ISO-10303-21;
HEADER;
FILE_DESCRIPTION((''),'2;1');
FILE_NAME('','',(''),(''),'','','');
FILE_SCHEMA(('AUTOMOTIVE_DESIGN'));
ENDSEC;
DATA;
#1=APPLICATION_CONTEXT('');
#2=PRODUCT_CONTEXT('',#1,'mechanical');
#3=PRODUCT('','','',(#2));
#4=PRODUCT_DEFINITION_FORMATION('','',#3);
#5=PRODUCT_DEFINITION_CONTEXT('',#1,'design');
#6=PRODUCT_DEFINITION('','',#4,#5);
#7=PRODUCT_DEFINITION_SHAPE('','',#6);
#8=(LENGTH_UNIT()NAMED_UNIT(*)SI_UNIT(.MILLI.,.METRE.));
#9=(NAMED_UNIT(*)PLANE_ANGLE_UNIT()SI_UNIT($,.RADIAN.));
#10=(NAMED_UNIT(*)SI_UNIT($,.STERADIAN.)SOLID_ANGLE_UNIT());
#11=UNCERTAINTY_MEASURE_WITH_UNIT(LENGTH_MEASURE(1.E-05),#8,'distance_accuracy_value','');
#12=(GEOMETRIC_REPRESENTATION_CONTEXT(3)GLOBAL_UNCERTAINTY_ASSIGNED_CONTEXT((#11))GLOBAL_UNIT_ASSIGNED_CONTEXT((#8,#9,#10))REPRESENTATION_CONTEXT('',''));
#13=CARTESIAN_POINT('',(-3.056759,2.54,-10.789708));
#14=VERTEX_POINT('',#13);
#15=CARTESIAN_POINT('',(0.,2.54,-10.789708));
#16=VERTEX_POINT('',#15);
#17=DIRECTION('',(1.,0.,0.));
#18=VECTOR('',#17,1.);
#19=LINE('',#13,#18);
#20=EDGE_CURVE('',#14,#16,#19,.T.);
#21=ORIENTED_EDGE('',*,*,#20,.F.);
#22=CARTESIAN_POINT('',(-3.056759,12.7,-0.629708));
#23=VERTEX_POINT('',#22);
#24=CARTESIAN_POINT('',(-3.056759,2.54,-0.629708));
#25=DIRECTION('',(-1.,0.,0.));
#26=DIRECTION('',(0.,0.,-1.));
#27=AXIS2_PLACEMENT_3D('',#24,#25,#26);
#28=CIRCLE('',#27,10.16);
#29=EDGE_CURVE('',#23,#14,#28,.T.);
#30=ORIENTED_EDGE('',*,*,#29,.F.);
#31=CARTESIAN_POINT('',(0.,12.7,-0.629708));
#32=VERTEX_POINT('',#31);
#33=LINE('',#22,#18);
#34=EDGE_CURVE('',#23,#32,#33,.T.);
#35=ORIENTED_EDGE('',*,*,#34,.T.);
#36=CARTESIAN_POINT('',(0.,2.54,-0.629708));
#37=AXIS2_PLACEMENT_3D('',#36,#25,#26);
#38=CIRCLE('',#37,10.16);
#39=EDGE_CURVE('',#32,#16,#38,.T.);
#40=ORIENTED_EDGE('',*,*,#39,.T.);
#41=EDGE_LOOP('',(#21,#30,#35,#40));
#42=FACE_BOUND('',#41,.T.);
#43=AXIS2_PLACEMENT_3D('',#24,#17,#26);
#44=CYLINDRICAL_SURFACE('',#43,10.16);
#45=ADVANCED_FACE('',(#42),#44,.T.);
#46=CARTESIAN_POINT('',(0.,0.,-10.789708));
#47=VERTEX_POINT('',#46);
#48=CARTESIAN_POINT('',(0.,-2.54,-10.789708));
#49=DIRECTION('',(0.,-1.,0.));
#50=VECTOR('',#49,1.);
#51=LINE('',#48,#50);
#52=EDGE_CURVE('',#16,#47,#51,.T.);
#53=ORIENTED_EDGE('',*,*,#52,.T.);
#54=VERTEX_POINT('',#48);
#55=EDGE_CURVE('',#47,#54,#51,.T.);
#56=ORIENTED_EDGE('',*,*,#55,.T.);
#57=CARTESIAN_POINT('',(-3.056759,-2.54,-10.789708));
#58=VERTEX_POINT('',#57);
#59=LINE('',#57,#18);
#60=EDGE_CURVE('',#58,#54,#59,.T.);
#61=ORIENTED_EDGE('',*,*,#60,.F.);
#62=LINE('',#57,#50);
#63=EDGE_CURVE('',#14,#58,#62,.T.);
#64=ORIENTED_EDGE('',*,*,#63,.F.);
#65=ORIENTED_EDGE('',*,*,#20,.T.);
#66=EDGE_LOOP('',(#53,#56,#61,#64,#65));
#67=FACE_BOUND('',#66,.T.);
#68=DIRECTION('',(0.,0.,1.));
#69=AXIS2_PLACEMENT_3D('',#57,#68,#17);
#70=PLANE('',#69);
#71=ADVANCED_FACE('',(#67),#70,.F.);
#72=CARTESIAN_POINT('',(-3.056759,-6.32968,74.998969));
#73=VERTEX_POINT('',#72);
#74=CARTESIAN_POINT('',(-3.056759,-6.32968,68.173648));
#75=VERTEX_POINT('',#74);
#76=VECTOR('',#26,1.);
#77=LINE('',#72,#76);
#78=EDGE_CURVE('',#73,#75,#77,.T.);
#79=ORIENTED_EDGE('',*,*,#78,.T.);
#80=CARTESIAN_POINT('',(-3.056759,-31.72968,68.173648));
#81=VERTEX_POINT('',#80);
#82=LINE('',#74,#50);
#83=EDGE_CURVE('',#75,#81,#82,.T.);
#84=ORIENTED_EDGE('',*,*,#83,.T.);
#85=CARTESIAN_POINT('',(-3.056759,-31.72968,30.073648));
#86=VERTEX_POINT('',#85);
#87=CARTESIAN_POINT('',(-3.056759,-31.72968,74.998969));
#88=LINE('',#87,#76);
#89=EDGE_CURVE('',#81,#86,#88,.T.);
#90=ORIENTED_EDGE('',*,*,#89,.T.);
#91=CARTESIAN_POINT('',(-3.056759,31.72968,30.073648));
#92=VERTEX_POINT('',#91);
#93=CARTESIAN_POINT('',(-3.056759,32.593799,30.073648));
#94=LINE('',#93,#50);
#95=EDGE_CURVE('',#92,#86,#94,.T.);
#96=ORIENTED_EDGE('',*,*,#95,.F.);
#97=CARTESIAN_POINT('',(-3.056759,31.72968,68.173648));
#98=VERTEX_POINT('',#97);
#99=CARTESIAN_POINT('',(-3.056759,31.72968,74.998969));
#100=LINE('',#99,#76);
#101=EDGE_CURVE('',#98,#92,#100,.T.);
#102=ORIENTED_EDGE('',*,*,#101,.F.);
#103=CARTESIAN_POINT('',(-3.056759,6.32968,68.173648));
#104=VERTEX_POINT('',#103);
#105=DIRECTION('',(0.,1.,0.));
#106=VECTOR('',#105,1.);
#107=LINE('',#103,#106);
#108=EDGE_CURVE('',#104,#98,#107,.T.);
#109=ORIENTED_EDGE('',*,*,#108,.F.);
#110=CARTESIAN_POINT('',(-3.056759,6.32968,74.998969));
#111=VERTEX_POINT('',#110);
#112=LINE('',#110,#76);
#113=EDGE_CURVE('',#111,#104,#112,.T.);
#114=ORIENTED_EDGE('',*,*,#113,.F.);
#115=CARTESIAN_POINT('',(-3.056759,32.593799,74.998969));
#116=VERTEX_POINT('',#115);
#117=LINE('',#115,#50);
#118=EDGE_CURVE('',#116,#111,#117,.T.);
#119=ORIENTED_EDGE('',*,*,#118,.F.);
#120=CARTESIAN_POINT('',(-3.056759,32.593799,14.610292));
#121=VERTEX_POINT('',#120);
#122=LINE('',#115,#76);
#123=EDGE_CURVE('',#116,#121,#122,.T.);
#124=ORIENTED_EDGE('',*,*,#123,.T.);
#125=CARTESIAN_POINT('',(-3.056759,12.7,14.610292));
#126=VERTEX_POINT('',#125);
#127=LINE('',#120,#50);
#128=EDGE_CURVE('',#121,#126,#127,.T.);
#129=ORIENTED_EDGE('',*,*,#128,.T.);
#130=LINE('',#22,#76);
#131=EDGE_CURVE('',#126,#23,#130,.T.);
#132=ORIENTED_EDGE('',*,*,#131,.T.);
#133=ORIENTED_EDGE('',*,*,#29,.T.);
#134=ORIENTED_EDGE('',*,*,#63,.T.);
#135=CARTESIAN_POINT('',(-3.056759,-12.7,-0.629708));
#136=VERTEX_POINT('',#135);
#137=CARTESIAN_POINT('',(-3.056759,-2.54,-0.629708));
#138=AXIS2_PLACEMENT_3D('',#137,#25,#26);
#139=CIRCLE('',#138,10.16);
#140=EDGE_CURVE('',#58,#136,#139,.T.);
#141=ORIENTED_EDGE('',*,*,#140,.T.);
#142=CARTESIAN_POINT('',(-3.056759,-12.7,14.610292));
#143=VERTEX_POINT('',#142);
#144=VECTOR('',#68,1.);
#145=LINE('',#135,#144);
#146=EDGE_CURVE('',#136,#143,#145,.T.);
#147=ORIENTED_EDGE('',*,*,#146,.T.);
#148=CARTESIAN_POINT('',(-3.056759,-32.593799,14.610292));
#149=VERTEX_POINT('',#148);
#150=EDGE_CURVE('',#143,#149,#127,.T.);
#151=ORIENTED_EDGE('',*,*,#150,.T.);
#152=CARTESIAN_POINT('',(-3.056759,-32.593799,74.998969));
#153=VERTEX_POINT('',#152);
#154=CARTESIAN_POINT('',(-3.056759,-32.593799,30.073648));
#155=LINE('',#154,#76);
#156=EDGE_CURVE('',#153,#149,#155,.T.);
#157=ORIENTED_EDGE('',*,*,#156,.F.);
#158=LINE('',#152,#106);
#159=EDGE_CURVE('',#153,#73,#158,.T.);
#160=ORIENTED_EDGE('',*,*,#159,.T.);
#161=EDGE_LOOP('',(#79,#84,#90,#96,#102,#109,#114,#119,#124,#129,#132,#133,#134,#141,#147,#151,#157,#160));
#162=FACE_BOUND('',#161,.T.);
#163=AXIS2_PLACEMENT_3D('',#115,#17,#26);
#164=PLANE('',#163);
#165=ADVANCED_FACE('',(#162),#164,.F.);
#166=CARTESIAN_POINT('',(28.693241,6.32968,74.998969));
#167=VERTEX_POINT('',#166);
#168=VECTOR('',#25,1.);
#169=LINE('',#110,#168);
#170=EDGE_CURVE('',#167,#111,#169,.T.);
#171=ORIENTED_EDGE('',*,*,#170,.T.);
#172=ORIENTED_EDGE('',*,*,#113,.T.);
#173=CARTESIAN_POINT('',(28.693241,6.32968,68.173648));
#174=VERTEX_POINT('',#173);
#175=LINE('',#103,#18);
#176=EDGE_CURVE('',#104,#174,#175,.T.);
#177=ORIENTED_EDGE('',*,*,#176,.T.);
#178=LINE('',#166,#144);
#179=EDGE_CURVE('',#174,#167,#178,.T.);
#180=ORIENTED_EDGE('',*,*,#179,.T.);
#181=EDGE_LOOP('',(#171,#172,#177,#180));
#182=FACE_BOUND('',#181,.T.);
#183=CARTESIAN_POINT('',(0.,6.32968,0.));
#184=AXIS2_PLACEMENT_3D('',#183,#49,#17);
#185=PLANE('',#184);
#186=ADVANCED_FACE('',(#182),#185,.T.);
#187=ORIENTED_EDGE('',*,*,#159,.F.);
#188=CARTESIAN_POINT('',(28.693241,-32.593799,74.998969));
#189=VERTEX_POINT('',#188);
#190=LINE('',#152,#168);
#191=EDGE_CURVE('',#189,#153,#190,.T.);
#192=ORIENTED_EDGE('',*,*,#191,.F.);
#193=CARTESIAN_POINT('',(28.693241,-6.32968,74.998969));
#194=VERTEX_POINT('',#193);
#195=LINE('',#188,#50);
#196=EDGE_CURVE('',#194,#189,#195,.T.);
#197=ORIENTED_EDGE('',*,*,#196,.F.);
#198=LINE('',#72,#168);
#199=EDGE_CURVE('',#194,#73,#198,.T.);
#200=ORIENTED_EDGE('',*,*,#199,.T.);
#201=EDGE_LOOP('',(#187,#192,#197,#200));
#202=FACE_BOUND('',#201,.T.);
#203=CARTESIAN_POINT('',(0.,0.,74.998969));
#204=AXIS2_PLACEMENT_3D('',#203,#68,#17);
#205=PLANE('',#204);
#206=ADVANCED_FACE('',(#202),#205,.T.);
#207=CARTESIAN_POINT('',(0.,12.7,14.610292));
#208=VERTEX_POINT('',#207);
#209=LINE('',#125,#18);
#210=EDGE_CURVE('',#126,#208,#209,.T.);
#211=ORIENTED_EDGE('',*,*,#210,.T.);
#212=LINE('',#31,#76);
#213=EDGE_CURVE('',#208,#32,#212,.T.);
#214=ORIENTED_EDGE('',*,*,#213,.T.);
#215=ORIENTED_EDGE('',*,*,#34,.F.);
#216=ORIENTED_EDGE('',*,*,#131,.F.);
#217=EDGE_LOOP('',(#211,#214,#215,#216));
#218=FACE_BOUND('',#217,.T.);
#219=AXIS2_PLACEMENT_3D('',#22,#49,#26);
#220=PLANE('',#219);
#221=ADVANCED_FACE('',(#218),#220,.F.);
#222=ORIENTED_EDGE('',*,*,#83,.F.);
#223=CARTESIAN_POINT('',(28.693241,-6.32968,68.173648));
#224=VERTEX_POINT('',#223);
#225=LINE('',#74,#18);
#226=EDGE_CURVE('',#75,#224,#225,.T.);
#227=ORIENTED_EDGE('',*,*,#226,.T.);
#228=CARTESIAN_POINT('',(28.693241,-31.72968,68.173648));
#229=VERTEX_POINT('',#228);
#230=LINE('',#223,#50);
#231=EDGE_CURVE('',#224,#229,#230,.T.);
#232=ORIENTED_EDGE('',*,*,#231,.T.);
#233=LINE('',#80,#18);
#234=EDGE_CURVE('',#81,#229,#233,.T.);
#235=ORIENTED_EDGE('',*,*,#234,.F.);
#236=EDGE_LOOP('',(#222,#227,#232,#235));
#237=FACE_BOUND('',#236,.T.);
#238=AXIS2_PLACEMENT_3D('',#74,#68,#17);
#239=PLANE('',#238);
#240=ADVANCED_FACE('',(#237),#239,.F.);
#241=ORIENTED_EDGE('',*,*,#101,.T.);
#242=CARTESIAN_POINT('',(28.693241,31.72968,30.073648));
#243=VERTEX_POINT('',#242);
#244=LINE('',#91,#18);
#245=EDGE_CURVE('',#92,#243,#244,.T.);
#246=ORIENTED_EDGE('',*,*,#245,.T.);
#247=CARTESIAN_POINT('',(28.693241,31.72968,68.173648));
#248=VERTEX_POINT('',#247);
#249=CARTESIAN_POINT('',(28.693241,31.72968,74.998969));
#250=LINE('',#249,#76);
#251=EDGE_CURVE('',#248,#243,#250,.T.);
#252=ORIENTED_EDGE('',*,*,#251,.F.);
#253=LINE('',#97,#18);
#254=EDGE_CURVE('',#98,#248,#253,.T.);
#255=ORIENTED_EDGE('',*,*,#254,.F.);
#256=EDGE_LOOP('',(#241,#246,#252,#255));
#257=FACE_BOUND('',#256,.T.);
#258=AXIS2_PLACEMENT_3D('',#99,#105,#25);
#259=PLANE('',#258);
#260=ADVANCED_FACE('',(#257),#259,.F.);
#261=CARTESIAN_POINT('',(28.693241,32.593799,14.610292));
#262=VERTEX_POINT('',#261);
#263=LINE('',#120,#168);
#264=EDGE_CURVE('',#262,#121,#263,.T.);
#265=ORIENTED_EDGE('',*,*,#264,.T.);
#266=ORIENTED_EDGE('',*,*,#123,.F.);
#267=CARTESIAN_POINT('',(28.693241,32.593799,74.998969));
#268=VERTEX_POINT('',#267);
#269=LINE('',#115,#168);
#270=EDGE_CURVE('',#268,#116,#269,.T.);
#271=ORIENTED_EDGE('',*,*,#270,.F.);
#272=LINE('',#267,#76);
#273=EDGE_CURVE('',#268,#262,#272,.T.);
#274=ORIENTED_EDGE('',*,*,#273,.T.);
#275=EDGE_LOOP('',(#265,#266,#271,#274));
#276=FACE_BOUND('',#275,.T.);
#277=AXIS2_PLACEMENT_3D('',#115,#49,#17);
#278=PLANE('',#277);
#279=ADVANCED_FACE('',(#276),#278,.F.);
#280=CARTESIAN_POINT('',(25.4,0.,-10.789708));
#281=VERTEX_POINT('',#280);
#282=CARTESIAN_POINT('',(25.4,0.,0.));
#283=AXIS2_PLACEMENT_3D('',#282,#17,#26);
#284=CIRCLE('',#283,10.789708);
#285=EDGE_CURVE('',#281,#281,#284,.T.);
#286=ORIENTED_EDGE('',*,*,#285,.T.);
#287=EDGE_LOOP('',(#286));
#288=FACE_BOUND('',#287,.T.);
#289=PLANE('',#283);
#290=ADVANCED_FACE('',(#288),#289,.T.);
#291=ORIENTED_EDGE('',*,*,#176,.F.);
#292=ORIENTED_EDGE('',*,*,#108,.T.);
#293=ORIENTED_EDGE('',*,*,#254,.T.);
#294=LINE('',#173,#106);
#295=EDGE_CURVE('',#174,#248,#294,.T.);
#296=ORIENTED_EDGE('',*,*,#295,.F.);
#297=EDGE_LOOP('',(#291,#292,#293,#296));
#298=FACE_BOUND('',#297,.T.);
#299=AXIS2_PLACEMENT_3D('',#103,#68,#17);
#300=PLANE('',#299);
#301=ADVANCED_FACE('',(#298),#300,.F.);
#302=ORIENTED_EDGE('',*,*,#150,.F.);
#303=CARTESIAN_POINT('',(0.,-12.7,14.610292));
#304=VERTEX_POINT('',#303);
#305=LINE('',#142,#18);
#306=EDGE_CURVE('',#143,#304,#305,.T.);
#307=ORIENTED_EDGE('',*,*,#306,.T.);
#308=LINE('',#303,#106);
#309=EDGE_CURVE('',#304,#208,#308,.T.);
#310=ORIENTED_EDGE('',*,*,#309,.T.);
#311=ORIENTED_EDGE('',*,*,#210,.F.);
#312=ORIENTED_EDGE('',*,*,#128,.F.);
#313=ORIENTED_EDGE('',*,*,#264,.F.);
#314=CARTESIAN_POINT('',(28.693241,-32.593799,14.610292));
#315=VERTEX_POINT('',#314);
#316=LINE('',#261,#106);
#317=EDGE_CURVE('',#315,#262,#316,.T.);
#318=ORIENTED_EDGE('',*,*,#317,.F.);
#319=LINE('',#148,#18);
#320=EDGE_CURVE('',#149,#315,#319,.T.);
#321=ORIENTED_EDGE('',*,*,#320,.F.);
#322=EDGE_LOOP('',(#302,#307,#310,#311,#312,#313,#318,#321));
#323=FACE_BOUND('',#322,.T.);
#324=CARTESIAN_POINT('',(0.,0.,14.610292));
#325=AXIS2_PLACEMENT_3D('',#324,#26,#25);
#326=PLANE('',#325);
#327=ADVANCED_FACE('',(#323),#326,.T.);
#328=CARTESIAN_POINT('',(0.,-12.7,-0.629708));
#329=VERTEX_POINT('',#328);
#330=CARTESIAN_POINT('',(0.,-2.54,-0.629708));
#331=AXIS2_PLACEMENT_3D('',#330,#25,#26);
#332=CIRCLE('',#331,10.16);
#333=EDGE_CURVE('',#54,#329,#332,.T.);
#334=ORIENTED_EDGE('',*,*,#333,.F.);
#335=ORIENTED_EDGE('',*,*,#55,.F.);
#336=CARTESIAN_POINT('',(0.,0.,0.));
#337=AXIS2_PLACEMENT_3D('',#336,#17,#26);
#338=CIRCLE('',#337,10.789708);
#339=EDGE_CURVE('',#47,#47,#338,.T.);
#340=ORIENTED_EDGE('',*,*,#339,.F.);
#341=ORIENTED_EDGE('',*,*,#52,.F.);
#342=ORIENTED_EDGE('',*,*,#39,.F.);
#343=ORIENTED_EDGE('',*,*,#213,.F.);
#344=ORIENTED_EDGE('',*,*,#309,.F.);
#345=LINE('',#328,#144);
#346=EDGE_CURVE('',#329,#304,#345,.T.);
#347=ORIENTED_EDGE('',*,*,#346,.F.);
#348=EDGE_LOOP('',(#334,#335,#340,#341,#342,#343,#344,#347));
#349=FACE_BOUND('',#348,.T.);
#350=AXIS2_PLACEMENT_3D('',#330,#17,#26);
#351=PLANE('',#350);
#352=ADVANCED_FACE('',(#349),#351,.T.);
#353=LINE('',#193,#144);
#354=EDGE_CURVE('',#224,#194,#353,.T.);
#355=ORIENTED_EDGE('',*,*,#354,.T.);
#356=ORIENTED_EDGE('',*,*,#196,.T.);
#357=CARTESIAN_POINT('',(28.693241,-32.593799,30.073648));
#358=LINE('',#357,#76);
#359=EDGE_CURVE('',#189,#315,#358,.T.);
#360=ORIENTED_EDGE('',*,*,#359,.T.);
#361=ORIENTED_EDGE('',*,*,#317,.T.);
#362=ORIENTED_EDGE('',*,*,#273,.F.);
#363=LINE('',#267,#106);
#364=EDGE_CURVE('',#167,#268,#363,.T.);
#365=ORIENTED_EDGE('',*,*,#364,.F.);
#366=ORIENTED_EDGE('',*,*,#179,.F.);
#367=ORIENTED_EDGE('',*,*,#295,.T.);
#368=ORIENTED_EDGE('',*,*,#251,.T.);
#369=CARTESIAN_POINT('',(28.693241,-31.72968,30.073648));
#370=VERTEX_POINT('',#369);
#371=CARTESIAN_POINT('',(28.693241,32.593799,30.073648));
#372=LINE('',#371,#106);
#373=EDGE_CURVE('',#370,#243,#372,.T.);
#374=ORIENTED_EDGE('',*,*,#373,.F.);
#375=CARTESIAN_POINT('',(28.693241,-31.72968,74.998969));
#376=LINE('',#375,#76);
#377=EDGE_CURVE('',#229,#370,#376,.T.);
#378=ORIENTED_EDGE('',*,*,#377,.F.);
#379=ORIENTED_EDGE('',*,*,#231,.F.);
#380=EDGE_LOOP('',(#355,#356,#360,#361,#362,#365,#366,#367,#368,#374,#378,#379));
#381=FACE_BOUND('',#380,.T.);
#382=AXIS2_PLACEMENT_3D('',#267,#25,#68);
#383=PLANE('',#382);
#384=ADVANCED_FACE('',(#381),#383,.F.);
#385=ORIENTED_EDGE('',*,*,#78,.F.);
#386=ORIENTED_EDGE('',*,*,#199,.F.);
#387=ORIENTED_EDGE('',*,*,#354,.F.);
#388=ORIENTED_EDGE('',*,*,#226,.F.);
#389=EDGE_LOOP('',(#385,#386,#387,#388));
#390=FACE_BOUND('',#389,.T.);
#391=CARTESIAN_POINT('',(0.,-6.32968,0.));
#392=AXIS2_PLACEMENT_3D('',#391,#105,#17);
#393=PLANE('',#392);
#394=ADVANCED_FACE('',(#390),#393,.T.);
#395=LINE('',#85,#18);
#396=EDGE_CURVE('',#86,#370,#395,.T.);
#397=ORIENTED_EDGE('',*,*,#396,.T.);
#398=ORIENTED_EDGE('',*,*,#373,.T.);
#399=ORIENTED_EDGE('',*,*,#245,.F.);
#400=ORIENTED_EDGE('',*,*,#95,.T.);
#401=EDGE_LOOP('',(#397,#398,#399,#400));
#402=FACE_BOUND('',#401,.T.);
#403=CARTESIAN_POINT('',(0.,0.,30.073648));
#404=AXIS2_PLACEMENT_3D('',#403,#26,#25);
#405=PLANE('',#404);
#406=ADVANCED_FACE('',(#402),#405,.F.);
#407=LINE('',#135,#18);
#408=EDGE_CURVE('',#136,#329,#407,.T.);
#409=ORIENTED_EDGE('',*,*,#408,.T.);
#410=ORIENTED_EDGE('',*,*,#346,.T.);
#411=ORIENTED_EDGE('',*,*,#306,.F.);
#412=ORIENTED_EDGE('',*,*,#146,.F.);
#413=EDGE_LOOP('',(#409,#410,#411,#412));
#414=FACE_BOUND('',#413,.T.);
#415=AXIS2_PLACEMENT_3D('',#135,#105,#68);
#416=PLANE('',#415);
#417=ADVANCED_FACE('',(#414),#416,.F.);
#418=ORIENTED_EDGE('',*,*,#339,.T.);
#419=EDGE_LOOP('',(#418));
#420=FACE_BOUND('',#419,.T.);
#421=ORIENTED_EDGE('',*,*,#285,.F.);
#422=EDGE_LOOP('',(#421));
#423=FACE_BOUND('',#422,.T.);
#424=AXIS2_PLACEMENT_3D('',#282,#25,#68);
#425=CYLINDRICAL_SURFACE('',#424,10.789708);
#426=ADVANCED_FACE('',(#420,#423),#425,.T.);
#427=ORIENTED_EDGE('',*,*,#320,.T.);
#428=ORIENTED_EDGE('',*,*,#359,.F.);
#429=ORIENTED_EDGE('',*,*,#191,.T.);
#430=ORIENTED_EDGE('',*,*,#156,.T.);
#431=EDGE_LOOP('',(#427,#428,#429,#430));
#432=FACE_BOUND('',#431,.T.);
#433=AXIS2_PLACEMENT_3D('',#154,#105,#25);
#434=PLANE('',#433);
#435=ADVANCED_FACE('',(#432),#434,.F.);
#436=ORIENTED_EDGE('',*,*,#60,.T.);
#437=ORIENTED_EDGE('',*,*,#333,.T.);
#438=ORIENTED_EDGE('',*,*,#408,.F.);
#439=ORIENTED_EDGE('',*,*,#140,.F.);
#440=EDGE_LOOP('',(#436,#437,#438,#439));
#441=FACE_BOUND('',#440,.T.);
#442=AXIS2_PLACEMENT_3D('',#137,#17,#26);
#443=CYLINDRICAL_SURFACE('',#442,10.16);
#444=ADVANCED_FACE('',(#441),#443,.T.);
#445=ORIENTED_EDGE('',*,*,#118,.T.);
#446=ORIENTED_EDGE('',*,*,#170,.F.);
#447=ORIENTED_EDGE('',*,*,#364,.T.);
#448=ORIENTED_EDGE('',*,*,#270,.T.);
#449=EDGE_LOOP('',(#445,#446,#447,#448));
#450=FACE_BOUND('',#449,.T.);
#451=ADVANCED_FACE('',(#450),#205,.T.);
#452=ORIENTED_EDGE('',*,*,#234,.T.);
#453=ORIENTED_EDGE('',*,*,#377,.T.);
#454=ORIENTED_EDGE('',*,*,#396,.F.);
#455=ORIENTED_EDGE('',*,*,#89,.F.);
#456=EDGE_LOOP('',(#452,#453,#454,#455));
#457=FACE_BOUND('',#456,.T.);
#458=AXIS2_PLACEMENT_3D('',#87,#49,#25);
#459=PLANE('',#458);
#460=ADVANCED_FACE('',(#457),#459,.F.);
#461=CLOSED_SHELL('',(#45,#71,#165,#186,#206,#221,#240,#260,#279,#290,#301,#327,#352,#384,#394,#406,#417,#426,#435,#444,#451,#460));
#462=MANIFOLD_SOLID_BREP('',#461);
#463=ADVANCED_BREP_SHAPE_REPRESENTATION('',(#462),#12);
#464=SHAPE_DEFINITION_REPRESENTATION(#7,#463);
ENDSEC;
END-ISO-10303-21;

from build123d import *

# Parameters (mm, degrees)
SKETCH1_R           = 10.789707568
BOSS_EXTRUDE1_DEPTH = 25.4
BOSS_EXTRUDE2_DEPTH = 3.056759297
SKETCH3_W           = 31.75
SKETCH3_H           = 65.18759886
BOSS_EXTRUDE3_DEPTH = 15.463355349
SKETCH4_W           = 31.75
SKETCH4_H           = 0.86411943
BOSS_EXTRUDE4_DEPTH = 44.925321362
SKETCH5_W           = 31.75
SKETCH5_H           = 6.825321362
BOSS_EXTRUDE5_DEPTH = 25.4


with BuildPart() as part:
    # Sketch1 → Boss-Extrude1 (new body)
    with BuildSketch(Plane.YZ):
        Circle(SKETCH1_R)
    extrude(amount=BOSS_EXTRUDE1_DEPTH)

    # Sketch2 → Boss-Extrude2 (add)
    with BuildSketch(Plane(origin=(0, 0, 0), x_dir=(0, -1, 0), z_dir=(-1, 0, 0))):
        with BuildLine():
            Line((2.54, -10.789707568), (-2.54, -10.789707568))
            ThreePointArc((-2.54, -10.789707568), (-9.724204897, -7.813912465), (-12.7, -0.629707568))
            Line((-12.7, -0.629707568), (-12.7, 14.610292432))
            Line((-12.7, 14.610292432), (12.7, 14.610292432))
            Line((12.7, 14.610292432), (12.7, -0.629707568))
            ThreePointArc((12.7, -0.629707568), (9.724204897, -7.813912465), (2.54, -10.789707568))
        make_face()
    extrude(amount=BOSS_EXTRUDE2_DEPTH)

    # Sketch3 → Boss-Extrude3 (add)
    with BuildSketch(Plane.XY.offset(14.610292432)):
        with Locations((12.818240703, 0)):
            Rectangle(SKETCH3_W, SKETCH3_H)
    extrude(amount=BOSS_EXTRUDE3_DEPTH)


with BuildPart() as body_2:
    # Sketch4 → Boss-Extrude4 (new body)
    with BuildSketch(Plane.XY.offset(30.073647781)):
        with Locations((12.818240703, 32.161739715)):
            Rectangle(SKETCH4_W, SKETCH4_H)
    extrude(amount=BOSS_EXTRUDE4_DEPTH)

    # Sketch5 → Boss-Extrude5 (add)
    with BuildSketch(Plane.XZ.offset(-31.72968)):
        with Locations((12.818240703, 71.586308462)):
            Rectangle(SKETCH5_W, SKETCH5_H)
    extrude(amount=BOSS_EXTRUDE5_DEPTH)


with BuildPart() as body_3:
    # Mirror1: mirrored copy
    add(body_2.part.mirror(Plane.ZX))


with BuildPart() as body_2_1:
    add(body_2.part)

    # Combine1: union part, body 3
    add(part.part)
    add(body_3.part)


solid = body_2_1.part
